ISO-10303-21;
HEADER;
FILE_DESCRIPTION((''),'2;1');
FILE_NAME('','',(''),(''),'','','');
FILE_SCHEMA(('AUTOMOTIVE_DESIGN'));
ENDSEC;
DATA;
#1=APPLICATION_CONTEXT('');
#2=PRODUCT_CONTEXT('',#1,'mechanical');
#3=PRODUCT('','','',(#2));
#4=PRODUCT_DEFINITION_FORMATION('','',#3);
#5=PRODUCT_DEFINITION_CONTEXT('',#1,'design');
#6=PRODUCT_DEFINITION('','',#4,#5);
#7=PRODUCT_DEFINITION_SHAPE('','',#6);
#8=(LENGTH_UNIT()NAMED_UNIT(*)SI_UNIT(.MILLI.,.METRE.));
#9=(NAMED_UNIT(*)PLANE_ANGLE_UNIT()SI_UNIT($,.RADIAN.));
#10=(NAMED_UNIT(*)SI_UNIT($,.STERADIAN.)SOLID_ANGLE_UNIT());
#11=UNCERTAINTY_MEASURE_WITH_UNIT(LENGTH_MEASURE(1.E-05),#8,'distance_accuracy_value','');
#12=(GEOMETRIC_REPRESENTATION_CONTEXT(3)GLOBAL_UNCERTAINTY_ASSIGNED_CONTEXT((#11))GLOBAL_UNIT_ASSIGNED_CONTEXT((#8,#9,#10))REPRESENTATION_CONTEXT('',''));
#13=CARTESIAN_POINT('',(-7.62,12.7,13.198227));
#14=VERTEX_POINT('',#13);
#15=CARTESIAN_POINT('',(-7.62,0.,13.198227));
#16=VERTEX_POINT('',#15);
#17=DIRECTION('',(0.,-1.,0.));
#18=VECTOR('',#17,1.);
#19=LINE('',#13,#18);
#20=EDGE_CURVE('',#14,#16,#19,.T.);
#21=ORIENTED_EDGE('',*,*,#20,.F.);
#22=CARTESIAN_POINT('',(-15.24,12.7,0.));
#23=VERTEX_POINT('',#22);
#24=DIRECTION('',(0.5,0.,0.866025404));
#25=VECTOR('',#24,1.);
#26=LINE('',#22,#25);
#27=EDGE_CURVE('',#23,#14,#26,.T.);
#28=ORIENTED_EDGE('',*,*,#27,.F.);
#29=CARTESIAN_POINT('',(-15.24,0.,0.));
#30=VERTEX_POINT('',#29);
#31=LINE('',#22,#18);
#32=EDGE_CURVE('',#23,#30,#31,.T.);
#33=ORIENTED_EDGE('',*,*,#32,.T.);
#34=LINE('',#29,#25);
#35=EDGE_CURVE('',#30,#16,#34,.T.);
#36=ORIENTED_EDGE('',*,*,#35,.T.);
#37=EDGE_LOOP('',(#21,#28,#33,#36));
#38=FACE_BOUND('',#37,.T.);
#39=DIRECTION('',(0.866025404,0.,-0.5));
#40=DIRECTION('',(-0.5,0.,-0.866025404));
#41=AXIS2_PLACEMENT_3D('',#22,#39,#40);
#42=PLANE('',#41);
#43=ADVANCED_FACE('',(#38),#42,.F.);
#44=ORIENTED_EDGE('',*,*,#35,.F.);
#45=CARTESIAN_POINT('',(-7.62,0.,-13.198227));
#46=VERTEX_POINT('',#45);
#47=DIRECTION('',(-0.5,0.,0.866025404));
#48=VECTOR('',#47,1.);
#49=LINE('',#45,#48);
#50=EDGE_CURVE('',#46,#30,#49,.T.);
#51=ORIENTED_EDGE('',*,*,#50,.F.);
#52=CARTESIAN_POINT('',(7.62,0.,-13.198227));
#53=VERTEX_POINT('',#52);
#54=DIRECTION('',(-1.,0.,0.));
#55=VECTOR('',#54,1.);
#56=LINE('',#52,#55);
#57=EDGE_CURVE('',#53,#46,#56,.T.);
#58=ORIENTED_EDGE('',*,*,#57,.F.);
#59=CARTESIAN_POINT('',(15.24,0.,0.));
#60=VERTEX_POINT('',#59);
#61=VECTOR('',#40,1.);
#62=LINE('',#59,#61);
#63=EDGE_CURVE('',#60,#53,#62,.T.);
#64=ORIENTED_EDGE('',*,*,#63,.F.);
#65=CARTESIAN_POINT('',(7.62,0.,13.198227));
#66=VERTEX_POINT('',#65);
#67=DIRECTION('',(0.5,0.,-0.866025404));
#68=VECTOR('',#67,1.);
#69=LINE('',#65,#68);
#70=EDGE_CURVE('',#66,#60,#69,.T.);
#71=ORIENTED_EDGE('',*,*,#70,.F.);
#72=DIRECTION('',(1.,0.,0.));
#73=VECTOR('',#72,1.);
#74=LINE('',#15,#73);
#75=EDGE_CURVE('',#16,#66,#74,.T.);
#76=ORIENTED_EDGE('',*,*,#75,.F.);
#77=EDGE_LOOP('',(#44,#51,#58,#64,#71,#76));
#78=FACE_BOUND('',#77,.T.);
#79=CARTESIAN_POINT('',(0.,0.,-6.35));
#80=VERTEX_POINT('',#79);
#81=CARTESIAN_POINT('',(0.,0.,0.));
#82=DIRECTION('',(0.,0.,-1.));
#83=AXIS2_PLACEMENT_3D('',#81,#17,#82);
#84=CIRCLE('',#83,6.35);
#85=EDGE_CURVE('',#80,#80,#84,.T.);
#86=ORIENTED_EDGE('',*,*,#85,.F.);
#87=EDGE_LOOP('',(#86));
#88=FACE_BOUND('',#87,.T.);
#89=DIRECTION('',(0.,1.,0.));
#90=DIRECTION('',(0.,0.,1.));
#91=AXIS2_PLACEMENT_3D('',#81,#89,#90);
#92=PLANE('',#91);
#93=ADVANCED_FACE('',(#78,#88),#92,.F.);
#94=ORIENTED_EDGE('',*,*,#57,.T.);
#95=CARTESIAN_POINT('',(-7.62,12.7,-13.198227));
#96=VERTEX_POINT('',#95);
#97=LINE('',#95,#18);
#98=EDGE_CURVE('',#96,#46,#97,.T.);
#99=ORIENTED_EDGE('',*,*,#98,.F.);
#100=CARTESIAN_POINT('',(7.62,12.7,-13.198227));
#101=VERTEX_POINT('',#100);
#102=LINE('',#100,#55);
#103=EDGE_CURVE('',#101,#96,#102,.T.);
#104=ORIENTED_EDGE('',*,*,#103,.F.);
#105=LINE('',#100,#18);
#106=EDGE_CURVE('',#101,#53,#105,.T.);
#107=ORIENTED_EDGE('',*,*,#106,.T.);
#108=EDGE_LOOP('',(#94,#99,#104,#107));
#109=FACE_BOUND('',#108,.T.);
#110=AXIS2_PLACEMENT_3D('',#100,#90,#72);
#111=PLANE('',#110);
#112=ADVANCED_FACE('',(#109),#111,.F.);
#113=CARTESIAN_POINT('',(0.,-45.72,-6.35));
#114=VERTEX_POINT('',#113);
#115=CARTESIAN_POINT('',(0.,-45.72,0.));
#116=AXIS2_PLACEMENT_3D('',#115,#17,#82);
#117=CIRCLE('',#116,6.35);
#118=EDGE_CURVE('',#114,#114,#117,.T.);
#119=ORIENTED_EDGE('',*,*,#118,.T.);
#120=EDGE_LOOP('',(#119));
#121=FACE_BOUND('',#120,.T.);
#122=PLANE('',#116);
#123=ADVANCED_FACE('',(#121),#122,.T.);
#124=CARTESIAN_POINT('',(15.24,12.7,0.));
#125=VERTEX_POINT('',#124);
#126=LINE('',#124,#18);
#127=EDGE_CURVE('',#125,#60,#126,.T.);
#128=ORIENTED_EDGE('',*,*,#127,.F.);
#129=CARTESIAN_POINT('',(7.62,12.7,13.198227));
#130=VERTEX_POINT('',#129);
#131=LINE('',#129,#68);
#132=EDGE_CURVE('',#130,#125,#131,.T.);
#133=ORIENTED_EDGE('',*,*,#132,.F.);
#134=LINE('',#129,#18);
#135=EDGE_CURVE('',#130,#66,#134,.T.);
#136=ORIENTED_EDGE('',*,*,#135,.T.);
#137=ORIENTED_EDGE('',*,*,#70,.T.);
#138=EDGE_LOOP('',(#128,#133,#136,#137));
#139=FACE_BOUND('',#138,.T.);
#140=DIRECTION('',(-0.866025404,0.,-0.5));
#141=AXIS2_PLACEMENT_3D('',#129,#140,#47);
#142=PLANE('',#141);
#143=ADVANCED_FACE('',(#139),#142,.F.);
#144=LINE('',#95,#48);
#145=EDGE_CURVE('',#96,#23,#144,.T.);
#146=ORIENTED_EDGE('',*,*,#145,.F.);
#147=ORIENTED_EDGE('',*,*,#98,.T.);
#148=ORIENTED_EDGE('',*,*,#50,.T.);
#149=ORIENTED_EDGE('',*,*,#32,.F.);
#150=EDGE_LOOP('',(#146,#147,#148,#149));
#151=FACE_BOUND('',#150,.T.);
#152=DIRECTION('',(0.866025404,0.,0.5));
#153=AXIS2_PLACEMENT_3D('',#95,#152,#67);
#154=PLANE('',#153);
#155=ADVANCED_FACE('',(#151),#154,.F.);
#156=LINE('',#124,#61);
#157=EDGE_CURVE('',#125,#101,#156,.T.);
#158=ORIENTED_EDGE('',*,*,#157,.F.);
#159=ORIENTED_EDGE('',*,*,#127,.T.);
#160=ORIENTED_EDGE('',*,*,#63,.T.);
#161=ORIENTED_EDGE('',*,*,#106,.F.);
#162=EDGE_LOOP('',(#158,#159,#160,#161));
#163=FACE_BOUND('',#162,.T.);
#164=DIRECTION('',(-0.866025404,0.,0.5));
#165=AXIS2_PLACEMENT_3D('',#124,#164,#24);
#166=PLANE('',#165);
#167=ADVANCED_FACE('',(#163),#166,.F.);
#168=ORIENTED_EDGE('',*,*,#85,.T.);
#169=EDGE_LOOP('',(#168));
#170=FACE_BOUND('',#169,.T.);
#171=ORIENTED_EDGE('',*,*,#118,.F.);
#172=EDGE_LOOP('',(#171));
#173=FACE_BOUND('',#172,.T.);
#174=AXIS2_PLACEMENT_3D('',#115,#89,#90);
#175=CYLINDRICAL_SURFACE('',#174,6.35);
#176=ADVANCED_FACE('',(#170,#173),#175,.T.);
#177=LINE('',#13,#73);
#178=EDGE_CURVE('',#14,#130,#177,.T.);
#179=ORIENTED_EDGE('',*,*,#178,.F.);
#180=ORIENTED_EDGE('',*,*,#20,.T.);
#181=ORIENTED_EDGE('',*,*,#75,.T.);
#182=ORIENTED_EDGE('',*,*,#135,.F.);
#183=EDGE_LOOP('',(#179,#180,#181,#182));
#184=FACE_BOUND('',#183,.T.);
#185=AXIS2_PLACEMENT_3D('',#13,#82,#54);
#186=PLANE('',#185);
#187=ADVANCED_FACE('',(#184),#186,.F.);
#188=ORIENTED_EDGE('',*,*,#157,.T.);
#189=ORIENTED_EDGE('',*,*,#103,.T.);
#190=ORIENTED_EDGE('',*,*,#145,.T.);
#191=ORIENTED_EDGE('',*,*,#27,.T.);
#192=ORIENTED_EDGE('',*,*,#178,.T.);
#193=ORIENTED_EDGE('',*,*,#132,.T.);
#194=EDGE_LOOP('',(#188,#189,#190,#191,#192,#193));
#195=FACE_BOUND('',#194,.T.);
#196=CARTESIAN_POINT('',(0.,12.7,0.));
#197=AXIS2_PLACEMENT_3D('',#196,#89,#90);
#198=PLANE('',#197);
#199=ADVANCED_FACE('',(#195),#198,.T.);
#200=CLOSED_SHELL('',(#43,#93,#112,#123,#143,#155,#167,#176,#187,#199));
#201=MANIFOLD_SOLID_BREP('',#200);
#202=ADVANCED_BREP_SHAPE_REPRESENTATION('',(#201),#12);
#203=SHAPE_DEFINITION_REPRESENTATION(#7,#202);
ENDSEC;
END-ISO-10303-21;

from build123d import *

# Parameters (mm, degrees)
BOSS_EXTRUDE1_DEPTH = 12.7
SKETCH2_R           = 6.35
BOSS_EXTRUDE2_DEPTH = 45.72


with BuildPart() as part:
    # Sketch1 → Boss-Extrude1 (new body)
    with BuildSketch(Plane(origin=(0, 0, 0), x_dir=(1, 0, 0), z_dir=(0, 1, 0))):
        Polygon((15.24, 0), (7.62, 13.198227154), (-7.62, 13.198227154), (-15.24, 0), (-7.62, -13.198227154), (7.62, -13.198227154), align=None)
    extrude(amount=BOSS_EXTRUDE1_DEPTH)

    # Sketch2 → Boss-Extrude2 (add)
    with BuildSketch(Plane.XZ):
        with Locations(Location((0, 0, 0), (0, 0, 270))):
            Circle(SKETCH2_R)
    extrude(amount=BOSS_EXTRUDE2_DEPTH)


solid = part.part
